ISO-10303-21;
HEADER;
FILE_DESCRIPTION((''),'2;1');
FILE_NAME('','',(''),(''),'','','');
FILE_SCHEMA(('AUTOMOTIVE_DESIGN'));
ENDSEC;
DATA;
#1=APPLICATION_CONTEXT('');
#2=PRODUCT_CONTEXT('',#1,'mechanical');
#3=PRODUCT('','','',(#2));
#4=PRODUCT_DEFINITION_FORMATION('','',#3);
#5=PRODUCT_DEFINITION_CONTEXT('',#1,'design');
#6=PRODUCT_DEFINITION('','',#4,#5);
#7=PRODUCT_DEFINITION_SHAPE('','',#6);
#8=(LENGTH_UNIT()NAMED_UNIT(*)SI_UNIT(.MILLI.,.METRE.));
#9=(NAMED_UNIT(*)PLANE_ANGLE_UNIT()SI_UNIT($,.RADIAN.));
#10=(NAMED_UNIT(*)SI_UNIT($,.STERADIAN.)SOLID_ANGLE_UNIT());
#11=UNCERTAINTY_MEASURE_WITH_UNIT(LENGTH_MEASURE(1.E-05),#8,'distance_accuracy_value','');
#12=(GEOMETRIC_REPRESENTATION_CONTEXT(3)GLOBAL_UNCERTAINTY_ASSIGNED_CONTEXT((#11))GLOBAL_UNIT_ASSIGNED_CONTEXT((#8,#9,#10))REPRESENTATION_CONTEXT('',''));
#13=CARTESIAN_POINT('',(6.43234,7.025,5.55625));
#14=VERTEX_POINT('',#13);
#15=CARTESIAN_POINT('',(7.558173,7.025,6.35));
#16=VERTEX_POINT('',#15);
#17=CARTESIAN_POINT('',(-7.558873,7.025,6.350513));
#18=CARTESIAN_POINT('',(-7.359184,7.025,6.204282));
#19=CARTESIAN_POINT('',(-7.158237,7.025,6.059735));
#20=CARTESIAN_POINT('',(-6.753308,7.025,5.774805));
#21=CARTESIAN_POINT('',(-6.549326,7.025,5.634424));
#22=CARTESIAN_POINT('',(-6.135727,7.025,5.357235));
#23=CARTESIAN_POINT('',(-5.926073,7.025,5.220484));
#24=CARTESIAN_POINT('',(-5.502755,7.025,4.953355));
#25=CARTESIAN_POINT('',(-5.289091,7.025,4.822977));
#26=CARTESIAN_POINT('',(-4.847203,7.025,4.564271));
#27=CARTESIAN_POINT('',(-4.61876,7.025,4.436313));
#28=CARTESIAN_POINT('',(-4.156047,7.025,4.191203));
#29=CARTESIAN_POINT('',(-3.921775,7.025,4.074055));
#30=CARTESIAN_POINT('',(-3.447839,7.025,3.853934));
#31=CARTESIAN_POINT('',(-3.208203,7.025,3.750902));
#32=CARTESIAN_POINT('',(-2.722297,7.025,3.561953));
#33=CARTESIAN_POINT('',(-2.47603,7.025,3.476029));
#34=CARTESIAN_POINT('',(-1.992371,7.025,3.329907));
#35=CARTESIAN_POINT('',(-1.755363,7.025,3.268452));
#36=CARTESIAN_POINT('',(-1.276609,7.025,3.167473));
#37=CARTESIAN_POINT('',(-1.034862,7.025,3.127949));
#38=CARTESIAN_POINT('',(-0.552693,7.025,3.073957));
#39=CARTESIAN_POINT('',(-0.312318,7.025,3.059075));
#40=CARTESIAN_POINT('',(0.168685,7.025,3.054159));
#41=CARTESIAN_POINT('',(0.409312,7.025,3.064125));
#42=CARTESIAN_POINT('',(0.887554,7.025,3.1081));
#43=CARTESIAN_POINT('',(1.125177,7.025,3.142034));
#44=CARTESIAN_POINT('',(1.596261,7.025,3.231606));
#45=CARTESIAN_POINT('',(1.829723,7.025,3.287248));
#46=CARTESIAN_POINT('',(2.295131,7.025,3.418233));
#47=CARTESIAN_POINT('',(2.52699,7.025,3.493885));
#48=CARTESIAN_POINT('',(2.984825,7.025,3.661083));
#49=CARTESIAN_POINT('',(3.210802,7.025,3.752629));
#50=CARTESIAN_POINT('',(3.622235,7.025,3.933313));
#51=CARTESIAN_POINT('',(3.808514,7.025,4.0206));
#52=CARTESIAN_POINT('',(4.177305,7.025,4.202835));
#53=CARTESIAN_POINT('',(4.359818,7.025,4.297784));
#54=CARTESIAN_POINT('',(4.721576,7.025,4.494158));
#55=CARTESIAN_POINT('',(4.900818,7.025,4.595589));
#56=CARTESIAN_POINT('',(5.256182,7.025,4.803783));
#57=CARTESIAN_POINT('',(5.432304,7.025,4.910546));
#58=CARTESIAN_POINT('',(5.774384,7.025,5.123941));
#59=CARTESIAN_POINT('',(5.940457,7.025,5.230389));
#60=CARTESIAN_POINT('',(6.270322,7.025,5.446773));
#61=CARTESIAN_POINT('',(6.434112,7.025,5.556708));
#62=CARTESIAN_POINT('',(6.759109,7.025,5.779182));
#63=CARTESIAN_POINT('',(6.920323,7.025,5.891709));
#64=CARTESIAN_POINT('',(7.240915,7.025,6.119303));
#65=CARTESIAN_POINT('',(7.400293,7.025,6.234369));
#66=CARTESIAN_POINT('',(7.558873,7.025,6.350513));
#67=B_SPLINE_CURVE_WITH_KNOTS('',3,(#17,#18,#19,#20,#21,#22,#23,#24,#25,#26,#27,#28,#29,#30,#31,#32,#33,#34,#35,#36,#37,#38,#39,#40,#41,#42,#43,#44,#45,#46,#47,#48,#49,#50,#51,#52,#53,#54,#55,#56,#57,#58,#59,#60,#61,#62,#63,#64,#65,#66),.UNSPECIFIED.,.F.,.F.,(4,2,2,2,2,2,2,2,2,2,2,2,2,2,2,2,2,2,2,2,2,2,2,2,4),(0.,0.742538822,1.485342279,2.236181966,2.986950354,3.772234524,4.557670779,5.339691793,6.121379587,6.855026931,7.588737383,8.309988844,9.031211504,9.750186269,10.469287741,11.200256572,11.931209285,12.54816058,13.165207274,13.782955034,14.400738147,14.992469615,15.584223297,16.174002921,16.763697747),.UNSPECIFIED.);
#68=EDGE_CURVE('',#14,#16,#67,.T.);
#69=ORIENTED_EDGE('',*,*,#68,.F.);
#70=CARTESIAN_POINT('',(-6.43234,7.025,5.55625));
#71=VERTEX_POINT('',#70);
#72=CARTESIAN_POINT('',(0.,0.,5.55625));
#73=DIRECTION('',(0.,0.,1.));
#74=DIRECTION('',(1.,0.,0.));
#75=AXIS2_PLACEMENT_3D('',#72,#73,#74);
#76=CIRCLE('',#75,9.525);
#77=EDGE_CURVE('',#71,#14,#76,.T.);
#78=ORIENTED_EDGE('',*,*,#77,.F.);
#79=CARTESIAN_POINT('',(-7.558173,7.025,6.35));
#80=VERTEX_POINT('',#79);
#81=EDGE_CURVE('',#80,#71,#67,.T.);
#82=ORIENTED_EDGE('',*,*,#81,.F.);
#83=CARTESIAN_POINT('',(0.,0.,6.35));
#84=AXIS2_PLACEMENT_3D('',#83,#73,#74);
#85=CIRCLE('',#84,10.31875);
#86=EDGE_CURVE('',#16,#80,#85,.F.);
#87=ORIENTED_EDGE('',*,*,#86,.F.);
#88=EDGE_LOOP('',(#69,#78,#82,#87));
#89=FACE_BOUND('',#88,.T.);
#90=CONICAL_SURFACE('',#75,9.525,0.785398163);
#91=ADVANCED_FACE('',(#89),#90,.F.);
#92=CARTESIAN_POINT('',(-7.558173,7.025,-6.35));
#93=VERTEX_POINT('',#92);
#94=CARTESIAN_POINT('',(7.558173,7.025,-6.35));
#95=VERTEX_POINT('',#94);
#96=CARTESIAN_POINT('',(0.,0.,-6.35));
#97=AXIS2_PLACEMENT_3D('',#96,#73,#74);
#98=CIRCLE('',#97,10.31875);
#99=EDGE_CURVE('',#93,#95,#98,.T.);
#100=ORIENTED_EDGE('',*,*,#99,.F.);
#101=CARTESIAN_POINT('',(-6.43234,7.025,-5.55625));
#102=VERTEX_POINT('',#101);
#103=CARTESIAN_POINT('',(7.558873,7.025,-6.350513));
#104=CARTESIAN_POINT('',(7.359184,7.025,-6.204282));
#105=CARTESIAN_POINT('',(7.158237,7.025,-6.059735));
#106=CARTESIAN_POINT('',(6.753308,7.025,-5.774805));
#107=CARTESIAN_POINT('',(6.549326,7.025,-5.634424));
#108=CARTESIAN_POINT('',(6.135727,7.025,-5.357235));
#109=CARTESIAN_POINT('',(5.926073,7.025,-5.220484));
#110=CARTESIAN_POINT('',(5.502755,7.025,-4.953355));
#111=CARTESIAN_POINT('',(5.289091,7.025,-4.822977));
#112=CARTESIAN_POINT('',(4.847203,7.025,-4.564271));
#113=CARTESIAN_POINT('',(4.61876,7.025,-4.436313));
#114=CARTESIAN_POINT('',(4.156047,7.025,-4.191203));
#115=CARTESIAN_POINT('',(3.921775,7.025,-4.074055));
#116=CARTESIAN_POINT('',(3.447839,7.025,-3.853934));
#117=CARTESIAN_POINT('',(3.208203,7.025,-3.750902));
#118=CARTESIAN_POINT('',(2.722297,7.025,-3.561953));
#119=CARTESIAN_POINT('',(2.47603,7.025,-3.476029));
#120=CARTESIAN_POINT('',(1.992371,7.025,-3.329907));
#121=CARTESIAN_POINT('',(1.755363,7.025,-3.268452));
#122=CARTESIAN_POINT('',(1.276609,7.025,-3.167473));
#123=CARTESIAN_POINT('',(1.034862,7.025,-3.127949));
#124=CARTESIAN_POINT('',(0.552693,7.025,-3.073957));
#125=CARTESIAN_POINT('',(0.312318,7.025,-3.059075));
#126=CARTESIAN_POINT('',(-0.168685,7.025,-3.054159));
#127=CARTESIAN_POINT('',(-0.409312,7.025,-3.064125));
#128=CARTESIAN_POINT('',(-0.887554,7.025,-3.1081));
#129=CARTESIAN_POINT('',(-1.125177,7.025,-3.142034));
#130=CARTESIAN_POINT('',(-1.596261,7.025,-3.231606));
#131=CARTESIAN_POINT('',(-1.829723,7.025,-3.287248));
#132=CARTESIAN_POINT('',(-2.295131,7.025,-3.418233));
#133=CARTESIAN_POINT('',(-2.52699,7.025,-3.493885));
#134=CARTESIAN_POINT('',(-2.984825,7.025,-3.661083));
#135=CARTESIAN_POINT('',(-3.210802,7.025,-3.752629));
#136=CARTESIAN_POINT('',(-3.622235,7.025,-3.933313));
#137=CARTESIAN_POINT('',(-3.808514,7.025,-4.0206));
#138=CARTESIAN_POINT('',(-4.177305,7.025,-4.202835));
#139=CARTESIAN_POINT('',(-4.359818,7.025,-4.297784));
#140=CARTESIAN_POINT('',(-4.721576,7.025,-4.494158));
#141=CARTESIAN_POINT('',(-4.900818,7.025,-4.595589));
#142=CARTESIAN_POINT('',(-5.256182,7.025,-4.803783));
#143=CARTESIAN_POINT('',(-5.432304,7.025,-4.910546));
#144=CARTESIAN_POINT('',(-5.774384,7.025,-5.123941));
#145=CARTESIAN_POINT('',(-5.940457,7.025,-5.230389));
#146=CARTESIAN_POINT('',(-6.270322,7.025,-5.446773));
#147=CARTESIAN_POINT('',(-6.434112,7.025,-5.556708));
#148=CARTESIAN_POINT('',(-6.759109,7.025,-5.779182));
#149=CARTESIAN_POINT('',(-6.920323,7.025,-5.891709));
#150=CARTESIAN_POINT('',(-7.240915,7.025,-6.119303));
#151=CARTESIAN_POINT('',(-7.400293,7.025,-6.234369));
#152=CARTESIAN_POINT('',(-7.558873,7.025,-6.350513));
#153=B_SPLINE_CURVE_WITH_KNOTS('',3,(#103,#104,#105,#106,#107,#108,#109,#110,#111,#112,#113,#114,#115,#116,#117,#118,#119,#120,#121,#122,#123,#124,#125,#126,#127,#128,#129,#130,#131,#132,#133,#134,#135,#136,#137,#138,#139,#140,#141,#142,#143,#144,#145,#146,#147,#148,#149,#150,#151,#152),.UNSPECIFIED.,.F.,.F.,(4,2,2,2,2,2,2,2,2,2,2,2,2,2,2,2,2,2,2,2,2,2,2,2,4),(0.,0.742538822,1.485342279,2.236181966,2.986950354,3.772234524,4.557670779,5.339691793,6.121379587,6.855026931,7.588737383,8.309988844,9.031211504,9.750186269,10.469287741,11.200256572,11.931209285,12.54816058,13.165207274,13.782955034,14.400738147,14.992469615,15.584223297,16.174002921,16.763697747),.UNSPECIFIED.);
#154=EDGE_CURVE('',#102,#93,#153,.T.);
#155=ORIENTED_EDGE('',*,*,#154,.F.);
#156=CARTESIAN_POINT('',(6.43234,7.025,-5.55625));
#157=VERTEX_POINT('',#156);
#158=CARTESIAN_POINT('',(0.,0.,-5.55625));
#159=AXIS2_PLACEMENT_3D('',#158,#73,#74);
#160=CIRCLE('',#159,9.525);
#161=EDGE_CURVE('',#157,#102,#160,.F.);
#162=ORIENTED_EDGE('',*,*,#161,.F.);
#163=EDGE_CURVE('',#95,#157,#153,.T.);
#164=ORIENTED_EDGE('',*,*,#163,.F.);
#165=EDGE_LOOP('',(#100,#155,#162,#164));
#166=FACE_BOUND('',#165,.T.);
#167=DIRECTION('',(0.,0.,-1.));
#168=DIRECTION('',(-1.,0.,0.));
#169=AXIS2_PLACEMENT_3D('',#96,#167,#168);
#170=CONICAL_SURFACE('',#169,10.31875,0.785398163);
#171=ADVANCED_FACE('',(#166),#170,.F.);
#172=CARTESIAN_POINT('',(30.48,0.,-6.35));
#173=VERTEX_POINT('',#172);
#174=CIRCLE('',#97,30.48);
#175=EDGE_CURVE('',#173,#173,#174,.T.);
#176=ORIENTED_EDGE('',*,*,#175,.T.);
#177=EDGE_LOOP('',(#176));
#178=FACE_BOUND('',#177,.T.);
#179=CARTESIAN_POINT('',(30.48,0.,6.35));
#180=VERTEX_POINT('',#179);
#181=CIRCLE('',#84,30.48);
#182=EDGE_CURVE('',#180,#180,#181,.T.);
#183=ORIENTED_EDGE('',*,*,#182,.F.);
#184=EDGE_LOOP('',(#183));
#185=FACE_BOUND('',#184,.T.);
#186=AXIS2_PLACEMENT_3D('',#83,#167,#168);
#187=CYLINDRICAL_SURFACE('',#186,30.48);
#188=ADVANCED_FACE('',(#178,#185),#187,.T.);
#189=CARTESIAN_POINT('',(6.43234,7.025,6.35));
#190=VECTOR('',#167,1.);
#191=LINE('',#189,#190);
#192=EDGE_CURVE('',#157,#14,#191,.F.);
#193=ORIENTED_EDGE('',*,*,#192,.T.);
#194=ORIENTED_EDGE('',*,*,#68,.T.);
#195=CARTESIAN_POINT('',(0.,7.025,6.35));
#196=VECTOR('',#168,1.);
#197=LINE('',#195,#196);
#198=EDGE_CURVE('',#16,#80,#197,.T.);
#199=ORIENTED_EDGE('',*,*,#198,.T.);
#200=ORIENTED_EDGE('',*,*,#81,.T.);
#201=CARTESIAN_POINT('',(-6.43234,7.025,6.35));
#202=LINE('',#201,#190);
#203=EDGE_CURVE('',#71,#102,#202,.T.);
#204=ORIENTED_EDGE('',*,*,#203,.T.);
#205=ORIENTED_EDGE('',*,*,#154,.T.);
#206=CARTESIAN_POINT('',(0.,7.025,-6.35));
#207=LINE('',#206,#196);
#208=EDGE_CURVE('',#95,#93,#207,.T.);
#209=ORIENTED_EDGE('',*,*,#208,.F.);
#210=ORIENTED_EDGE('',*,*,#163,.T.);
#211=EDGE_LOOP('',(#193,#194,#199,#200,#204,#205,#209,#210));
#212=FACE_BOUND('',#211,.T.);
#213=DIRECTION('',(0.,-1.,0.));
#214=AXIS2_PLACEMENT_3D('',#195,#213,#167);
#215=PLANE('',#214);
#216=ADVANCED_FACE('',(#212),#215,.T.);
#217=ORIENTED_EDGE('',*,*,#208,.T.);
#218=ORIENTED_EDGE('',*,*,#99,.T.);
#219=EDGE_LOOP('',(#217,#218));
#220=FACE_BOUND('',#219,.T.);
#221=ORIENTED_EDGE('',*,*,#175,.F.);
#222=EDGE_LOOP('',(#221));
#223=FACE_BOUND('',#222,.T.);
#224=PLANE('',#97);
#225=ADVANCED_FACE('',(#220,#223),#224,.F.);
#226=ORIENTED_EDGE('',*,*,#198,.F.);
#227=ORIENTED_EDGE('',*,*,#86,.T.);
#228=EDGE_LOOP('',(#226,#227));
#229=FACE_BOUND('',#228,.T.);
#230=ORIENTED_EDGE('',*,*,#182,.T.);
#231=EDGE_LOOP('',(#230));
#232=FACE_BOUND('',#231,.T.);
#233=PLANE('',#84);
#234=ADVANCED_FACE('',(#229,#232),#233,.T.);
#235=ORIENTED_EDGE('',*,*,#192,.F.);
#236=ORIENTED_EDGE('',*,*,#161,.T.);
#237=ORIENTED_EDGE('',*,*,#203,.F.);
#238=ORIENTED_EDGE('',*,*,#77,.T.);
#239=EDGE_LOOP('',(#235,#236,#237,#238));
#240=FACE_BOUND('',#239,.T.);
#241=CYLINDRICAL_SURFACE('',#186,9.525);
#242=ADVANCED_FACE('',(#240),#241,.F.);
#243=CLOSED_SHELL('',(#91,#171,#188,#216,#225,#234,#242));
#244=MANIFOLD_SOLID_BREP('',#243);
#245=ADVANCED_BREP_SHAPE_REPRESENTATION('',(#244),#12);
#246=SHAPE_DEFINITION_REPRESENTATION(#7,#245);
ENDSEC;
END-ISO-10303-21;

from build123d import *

# Parameters (mm, degrees)
SKETCH1_R           = 30.48
SKETCH1_R_2         = 9.525
EXTRUDE1_DEPTH      = 6.35
CHAMFER1_SIZE       = 0.79375
BOSS_EXTRUDE1_DEPTH = 12.7


with BuildPart() as part:
    # Sketch1 → Extrude1 (new, symmetric)
    with BuildSketch(Plane.XY):
        Circle(SKETCH1_R)
        Circle(SKETCH1_R_2, mode=Mode.SUBTRACT)
    extrude(amount=EXTRUDE1_DEPTH, both=True)

    # Chamfer1
    chamfer1_edges = [part.edges().sort_by_distance(p)[0] for p in [
        (-9.525, 0, -6.35),
        (-9.525, 0, 6.35),
    ]]
    chamfer(chamfer1_edges, length=CHAMFER1_SIZE)

    # Sketch3 → Boss-Extrude1 (add, through all)
    with BuildSketch(Plane(origin=(0, 0, -6.35), x_dir=(-1, 0, 0), z_dir=(0, 0, -1))):
        with BuildLine():
            ThreePointArc((7.558172832, 7.025), (0, 10.31875), (-7.558172832, 7.025))
            Line((-7.558172832, 7.025), (7.558172832, 7.025))
        make_face()
    extrude(amount=-BOSS_EXTRUDE1_DEPTH)


solid = part.part
